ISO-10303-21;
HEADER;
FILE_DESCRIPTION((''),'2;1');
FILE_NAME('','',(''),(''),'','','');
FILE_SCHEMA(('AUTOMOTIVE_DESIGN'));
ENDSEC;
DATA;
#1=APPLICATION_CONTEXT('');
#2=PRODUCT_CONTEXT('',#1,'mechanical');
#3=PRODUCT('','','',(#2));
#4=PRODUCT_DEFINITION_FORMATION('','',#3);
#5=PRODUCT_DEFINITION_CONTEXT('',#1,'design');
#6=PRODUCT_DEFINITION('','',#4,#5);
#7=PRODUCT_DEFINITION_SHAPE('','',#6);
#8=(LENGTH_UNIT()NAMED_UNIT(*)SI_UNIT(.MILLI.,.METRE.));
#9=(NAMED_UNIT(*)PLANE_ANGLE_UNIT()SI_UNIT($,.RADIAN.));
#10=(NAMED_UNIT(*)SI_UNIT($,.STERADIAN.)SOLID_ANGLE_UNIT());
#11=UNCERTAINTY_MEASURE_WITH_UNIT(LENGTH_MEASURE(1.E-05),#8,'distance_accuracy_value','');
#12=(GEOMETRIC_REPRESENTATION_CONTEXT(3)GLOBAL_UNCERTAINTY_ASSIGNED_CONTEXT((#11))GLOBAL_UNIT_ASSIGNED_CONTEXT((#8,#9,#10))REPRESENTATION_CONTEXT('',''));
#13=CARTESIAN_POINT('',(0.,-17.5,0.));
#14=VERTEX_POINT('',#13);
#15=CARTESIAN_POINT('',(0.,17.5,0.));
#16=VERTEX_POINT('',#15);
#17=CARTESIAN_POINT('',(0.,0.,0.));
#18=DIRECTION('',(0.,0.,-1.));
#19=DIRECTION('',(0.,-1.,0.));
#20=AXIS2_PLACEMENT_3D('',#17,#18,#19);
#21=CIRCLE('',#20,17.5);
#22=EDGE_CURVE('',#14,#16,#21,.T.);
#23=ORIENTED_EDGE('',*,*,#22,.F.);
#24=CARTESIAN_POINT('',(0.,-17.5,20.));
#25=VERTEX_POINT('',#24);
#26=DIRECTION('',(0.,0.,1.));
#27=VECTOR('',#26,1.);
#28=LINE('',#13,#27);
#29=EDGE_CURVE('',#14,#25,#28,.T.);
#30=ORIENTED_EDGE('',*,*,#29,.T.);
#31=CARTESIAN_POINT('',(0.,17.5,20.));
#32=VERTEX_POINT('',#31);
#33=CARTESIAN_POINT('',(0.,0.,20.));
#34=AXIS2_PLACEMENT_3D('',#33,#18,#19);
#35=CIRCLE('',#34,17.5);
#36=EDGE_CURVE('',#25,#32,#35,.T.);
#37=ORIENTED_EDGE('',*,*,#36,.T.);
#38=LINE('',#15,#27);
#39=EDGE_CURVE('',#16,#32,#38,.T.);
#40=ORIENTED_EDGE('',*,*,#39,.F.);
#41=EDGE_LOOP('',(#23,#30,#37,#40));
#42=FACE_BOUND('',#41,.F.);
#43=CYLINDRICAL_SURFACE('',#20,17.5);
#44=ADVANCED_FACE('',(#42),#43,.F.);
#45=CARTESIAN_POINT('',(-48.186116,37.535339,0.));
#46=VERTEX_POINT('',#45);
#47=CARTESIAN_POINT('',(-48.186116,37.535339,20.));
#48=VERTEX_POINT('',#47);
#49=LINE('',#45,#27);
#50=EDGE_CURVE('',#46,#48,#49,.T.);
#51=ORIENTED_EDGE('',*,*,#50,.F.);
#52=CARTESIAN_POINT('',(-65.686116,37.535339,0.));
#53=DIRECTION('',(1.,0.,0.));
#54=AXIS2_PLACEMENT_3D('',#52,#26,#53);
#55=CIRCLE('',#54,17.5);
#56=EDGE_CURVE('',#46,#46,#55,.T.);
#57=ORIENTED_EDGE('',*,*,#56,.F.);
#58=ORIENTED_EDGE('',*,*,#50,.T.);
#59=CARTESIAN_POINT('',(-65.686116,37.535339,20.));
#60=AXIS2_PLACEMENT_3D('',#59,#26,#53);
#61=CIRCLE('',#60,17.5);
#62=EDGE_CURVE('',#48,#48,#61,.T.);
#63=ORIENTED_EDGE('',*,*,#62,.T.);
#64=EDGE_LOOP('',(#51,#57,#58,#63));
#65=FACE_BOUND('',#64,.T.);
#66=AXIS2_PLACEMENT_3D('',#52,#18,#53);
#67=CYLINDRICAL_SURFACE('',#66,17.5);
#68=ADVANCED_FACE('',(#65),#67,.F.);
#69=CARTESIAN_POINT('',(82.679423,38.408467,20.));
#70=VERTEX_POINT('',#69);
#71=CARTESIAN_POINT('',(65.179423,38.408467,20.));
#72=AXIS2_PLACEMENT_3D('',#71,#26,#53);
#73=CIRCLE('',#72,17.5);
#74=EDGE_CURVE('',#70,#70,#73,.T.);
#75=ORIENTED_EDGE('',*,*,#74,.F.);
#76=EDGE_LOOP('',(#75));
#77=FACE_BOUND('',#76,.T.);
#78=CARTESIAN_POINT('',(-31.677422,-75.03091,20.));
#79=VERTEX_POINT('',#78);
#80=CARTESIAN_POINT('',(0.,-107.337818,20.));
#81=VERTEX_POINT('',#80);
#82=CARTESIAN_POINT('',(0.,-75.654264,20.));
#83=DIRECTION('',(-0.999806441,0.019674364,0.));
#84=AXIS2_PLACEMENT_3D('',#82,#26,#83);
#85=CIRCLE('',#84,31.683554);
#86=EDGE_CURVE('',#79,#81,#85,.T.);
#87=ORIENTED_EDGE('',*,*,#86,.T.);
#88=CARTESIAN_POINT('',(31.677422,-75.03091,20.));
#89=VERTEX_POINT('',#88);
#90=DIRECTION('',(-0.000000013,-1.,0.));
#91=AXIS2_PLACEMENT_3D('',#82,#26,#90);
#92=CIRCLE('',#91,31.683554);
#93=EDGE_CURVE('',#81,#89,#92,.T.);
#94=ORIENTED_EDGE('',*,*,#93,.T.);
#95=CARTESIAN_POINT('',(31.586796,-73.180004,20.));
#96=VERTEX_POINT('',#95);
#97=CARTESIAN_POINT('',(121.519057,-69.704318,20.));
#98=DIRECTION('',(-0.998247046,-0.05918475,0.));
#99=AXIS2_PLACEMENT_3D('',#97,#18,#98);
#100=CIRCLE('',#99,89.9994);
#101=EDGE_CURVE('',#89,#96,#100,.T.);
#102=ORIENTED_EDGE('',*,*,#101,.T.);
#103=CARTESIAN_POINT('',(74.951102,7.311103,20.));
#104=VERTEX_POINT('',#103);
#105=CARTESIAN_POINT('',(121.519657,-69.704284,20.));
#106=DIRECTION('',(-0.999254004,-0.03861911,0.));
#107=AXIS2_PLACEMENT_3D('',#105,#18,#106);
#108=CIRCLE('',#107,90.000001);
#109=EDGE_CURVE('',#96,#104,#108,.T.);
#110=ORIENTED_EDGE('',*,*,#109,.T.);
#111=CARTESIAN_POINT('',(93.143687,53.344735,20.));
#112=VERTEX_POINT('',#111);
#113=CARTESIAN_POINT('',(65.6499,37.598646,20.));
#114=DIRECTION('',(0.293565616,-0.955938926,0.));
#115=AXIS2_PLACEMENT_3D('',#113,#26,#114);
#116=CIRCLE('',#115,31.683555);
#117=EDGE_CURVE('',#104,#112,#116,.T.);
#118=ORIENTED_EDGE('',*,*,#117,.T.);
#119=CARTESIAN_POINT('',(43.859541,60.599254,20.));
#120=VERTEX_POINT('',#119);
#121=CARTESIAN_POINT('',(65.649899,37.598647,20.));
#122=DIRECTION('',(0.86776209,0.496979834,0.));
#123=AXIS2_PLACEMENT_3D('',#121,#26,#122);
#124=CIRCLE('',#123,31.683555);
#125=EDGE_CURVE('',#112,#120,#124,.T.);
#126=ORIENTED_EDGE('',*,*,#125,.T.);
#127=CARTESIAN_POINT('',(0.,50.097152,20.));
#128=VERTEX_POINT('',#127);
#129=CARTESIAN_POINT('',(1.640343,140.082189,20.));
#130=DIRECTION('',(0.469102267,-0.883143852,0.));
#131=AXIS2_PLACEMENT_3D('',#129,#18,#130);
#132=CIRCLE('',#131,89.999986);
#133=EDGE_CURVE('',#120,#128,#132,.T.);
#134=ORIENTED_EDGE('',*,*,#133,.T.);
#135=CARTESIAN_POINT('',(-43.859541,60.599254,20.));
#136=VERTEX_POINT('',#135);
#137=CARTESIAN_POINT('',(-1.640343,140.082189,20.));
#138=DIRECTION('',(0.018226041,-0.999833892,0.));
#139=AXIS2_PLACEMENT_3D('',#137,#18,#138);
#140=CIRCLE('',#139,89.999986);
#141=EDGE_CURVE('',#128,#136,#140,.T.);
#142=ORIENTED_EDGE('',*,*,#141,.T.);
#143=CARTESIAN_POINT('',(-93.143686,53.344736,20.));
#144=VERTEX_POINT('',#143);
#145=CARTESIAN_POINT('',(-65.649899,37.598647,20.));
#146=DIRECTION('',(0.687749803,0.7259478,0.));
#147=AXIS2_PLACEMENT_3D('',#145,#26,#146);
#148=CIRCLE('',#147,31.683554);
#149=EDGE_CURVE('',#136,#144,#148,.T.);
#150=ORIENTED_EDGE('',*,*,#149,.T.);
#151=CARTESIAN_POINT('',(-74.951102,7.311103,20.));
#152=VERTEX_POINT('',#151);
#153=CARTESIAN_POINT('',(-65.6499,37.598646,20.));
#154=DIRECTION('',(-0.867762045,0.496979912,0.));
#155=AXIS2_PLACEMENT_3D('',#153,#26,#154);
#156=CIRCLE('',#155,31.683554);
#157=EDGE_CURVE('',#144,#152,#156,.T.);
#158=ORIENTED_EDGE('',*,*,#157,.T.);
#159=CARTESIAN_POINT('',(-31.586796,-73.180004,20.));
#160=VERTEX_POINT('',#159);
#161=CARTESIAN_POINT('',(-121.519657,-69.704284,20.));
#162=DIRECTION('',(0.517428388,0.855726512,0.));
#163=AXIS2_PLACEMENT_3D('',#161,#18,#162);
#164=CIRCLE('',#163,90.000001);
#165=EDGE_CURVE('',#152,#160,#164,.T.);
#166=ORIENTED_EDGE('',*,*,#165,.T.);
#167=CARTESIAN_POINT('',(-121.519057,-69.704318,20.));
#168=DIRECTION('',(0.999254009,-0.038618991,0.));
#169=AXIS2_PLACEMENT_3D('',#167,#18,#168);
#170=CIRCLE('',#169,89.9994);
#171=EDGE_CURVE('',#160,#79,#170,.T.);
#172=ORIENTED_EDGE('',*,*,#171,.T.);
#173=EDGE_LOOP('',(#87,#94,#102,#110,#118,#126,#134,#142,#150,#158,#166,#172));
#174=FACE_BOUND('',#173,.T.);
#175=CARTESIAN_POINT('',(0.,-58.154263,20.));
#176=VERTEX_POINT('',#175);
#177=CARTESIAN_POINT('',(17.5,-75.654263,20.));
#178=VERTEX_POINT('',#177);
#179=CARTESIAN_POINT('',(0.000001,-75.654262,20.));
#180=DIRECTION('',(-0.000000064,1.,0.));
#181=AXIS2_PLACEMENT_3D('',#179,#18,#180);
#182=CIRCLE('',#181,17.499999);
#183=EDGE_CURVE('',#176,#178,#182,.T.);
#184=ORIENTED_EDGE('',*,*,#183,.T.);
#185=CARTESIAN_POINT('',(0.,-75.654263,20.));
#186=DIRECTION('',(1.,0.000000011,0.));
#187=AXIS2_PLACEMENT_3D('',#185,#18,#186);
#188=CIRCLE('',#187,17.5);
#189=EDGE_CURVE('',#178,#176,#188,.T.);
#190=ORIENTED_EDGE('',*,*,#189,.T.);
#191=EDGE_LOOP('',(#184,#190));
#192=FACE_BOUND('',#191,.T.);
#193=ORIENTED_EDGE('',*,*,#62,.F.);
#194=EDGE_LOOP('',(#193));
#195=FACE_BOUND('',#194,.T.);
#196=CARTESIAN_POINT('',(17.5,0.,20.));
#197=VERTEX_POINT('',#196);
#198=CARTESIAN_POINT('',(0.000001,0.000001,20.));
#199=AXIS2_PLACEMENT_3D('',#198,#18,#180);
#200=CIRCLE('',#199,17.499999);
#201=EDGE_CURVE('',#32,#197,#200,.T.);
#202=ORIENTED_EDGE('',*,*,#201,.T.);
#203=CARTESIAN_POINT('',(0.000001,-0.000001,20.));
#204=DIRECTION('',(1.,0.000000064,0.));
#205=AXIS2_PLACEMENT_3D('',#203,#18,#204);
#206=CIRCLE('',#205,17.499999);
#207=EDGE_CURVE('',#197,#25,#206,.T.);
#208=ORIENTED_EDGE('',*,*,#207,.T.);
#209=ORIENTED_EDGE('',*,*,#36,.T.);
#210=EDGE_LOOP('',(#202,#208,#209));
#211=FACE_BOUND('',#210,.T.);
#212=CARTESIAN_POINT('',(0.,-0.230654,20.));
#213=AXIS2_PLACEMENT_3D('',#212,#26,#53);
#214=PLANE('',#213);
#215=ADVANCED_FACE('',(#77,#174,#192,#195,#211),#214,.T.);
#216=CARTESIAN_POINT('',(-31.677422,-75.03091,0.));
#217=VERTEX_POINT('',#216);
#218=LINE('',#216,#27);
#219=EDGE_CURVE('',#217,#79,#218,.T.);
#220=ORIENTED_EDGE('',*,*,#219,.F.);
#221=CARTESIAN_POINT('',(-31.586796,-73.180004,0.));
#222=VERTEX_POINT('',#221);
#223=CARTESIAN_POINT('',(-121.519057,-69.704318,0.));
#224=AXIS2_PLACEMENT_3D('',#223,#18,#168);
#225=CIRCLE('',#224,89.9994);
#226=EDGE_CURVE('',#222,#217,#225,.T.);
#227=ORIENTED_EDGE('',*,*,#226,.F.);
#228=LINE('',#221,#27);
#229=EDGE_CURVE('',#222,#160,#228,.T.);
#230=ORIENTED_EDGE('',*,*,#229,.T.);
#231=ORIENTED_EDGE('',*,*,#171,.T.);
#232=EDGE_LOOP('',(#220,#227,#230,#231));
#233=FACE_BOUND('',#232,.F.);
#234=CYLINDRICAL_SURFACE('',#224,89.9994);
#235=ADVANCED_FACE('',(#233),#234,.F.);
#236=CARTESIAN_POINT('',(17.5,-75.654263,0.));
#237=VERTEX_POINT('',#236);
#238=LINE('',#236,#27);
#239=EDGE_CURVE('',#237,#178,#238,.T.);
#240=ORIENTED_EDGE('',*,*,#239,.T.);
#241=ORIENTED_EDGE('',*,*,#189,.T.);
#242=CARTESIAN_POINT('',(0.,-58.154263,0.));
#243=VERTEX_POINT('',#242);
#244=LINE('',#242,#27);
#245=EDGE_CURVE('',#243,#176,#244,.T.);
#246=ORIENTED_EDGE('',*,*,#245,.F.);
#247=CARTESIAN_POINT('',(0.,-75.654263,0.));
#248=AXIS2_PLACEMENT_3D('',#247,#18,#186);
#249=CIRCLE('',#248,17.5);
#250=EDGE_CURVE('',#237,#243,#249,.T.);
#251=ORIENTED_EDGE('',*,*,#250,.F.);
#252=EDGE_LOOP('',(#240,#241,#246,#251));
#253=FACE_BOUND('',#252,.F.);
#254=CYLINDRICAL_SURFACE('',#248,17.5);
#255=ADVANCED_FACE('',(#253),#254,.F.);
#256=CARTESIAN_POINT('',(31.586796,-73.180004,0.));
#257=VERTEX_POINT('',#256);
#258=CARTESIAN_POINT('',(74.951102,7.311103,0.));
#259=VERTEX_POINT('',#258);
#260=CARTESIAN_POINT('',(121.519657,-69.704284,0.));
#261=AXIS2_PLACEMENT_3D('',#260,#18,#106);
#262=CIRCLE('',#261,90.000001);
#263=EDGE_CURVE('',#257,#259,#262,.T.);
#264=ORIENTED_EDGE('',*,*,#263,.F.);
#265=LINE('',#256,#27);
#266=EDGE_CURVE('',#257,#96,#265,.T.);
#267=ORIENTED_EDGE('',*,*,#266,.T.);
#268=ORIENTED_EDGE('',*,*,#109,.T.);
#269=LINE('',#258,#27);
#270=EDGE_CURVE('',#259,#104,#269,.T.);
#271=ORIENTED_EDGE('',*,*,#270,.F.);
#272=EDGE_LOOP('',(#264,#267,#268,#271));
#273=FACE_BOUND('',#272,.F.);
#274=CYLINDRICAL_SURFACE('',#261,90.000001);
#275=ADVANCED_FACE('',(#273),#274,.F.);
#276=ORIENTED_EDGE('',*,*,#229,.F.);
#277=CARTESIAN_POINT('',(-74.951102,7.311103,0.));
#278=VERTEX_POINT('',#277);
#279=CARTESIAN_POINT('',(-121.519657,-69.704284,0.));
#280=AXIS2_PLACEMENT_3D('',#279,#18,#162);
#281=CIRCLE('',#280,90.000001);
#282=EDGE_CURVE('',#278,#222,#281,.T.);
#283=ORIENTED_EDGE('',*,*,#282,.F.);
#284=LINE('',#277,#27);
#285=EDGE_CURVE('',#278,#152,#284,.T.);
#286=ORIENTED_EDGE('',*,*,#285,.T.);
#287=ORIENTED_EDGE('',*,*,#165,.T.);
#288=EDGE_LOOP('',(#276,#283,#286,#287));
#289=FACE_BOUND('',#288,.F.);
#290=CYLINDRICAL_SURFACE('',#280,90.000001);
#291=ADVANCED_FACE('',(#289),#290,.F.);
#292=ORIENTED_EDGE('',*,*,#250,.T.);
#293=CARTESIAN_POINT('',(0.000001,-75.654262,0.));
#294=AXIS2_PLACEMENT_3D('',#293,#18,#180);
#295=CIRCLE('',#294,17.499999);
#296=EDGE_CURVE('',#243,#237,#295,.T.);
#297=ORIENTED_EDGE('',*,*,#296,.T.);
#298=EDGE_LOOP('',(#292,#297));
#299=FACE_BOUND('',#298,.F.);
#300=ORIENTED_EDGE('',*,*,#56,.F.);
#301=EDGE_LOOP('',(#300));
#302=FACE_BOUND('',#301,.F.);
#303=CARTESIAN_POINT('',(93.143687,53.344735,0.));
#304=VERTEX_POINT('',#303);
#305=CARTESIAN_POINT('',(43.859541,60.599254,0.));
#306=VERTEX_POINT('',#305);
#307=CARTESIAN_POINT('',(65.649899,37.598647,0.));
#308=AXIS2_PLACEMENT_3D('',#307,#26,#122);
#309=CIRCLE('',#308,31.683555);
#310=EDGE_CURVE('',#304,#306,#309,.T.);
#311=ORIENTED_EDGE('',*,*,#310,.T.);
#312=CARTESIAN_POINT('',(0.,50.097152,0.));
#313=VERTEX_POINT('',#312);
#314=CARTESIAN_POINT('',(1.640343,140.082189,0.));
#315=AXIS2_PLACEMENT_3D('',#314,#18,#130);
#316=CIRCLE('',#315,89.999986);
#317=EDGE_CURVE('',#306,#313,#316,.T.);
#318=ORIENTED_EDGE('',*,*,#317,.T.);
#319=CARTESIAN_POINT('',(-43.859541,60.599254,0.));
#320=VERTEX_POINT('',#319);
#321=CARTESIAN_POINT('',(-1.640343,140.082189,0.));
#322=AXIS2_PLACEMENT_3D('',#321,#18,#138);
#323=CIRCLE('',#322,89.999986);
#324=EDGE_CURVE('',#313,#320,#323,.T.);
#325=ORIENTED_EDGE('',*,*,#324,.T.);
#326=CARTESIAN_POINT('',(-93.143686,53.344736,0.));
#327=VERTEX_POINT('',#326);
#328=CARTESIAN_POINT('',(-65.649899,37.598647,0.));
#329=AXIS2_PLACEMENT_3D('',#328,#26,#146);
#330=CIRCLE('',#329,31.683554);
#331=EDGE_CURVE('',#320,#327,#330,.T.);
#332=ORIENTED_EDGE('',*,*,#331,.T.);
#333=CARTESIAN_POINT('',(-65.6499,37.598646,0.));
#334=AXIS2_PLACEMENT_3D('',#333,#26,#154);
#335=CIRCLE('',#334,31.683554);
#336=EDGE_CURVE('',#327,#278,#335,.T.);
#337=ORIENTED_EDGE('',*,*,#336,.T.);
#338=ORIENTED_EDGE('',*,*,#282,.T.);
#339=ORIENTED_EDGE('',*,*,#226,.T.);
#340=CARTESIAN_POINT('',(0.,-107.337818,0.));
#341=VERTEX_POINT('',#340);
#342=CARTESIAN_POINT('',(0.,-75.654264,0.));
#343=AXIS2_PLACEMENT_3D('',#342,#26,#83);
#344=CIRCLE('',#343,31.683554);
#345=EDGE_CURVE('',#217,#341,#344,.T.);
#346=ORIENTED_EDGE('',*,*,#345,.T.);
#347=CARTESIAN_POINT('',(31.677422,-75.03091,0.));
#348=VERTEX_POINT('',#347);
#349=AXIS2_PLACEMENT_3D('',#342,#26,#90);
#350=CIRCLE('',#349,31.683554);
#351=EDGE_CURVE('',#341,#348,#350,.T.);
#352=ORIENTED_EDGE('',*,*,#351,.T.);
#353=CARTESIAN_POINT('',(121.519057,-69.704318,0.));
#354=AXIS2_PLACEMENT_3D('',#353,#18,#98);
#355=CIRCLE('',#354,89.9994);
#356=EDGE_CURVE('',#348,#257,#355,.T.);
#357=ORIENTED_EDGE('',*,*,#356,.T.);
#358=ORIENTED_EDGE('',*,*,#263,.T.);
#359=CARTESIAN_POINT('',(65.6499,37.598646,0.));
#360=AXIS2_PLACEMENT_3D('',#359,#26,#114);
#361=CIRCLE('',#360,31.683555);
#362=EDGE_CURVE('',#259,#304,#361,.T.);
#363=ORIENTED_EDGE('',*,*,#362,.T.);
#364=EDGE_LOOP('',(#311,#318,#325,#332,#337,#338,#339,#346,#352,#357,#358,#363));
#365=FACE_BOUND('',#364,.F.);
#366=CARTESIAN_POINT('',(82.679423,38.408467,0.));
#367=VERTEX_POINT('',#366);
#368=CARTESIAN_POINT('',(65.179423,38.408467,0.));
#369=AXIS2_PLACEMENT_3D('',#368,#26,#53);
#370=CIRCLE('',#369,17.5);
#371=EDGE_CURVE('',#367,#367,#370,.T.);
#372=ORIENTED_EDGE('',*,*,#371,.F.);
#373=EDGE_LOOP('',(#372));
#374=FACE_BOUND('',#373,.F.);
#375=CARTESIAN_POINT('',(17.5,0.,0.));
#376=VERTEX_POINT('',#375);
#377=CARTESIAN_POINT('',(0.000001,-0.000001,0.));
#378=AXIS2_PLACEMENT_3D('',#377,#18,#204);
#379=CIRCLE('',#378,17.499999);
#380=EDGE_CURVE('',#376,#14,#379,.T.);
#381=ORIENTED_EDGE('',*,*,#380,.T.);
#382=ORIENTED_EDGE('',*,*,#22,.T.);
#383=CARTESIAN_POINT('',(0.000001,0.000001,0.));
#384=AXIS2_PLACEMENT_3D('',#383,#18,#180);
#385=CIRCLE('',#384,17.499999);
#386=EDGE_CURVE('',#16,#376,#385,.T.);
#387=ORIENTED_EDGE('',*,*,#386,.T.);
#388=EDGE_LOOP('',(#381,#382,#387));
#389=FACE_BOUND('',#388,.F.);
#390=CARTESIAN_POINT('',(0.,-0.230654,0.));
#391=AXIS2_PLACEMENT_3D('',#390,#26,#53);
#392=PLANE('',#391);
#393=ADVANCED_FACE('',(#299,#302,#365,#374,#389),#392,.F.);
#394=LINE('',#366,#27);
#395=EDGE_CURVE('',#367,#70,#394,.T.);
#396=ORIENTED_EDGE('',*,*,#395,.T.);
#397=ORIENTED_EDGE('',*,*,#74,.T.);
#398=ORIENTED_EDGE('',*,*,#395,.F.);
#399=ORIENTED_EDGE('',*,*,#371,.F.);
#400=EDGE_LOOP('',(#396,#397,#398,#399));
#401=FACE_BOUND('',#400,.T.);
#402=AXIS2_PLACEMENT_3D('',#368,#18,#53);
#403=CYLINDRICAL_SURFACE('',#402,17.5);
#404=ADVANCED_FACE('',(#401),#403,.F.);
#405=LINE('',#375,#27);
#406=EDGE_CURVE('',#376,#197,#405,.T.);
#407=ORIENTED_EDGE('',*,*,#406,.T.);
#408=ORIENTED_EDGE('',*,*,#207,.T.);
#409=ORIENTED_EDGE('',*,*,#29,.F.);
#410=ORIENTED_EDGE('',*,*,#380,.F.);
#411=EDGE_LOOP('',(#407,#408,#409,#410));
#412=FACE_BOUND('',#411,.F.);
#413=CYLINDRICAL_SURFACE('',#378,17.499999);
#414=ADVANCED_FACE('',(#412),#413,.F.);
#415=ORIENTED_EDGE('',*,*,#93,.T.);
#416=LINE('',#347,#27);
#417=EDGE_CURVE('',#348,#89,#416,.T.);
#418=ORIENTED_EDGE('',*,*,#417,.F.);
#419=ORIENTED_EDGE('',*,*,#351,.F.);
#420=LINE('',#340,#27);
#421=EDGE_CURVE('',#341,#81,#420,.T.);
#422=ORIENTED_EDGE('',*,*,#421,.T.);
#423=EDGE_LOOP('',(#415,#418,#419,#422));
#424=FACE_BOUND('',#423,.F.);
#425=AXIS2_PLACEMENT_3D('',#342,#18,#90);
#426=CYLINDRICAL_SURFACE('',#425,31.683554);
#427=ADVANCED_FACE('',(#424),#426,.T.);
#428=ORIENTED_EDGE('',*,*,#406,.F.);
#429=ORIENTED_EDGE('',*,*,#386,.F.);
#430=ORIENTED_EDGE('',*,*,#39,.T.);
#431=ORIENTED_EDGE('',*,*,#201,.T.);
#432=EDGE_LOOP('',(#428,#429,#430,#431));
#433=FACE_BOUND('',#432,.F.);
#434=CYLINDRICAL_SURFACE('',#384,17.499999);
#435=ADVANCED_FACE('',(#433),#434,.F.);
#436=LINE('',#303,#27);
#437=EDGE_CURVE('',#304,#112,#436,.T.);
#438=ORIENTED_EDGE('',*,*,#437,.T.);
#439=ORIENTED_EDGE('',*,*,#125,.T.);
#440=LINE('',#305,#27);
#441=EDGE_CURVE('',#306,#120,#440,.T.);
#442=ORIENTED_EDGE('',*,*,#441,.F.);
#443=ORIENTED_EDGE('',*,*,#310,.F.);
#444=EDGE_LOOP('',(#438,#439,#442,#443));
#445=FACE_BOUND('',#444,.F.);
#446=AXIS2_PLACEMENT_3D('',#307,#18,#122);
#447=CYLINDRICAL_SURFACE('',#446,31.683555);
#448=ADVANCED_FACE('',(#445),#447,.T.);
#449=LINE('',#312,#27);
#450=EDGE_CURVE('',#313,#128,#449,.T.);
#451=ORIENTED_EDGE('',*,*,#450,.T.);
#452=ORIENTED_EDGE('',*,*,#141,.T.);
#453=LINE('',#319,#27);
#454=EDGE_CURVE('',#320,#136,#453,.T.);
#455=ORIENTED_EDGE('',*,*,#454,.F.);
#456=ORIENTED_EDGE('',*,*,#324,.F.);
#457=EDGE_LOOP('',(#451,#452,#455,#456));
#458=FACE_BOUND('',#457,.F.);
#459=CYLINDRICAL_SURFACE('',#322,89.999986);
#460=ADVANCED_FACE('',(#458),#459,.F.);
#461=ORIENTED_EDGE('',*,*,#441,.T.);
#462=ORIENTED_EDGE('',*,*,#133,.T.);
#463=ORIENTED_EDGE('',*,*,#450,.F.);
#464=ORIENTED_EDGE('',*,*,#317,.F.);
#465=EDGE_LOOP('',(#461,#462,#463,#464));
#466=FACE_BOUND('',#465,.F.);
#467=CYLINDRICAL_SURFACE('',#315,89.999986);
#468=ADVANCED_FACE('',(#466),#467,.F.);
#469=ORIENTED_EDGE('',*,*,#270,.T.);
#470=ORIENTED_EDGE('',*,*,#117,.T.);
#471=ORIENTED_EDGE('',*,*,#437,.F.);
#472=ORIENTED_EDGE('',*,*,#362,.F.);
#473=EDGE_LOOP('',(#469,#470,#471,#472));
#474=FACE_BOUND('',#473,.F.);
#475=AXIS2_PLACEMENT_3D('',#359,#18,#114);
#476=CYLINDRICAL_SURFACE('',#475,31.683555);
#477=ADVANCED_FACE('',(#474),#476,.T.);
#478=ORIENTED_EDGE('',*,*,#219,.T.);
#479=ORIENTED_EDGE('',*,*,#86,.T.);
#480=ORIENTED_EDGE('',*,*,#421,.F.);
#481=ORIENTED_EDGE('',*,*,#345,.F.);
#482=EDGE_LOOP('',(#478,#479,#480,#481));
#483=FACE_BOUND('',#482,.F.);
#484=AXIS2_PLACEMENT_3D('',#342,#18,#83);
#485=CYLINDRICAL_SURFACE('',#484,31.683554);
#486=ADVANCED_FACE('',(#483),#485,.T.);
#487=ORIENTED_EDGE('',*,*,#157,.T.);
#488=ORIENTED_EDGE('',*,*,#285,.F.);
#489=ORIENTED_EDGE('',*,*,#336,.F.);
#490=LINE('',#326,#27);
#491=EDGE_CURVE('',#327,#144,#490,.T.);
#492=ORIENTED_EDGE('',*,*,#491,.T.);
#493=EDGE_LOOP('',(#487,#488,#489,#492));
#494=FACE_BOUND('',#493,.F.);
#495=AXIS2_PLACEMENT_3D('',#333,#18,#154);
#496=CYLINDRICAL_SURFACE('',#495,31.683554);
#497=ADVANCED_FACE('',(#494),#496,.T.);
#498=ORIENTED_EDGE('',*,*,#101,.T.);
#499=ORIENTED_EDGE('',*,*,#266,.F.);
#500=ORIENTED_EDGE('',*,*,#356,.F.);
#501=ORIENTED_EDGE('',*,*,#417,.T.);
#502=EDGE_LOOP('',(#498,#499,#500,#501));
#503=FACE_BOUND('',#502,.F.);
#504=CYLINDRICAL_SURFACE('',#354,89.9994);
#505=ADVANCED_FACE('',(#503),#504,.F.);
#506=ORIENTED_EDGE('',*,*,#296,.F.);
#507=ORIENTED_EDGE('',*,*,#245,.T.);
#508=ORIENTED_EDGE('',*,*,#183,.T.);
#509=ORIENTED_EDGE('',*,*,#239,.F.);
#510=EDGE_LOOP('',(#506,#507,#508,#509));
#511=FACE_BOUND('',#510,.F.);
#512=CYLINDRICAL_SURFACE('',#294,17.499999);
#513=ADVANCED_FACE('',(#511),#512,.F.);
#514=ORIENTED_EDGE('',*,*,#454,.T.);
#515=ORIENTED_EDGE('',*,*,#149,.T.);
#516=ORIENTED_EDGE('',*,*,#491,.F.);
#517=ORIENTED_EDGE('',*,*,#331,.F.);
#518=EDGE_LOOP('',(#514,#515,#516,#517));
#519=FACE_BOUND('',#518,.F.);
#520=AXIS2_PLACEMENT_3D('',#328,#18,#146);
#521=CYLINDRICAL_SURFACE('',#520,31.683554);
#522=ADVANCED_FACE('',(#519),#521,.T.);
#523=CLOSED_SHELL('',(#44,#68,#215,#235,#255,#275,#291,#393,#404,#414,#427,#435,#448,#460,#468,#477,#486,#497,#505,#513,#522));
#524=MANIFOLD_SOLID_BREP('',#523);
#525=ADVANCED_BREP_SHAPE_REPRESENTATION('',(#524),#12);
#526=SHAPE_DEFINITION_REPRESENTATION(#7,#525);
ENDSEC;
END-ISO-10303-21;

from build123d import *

# Parameters (mm, degrees)
F0_R     = 17.5
F1_DEPTH = 20


with BuildPart() as f1:
    # F0 (on Top) → F1 (new body)
    with BuildSketch(Plane.XY):
        with BuildLine():
            ThreePointArc((43.859541, 60.599254), (22.598263, 52.556403), (0, 50.097152))
            ThreePointArc((0, 50.097152), (-22.598263, 52.556403), (-43.859541, 60.599254))
            ThreePointArc((-43.859541, 60.599254), (-70.26393, 68.944434), (-93.143686, 53.344736))
            ThreePointArc((-93.143686, 53.344736), (-95.11584, 25.953647), (-74.951102, 7.311103))
            ThreePointArc((-74.951102, 7.311103), (-42.286686, -27.017794), (-31.586796, -73.180004))
            ThreePointArc((-31.586796, -73.180004), (-31.627345, -74.10569), (-31.677422, -75.03091))
            ThreePointArc((-31.677422, -75.03091), (-22.622972, -97.836436), (0, -107.337818))
            ThreePointArc((0, -107.337818), (22.622972, -97.836436), (31.677422, -75.03091))
            ThreePointArc((31.677422, -75.03091), (31.627345, -74.10569), (31.586796, -73.180004))
            ThreePointArc((31.586796, -73.180004), (42.286686, -27.017794), (74.951102, 7.311103))
            ThreePointArc((74.951102, 7.311103), (95.11584, 25.953647), (93.143687, 53.344735))
            ThreePointArc((93.143687, 53.344735), (70.263931, 68.944434), (43.859541, 60.599254))
        make_face()
        with BuildLine():
            ThreePointArc((0, -58.154263), (12.374369, -63.279894), (17.5, -75.654263))
            ThreePointArc((17.5, -75.654263), (-12.374369, -88.028632), (0, -58.154263))
        make_face(mode=Mode.SUBTRACT)
        with Locations((-65.686116, 37.535339)):
            Circle(F0_R, mode=Mode.SUBTRACT)
        with BuildLine():
            ThreePointArc((17.5, 0), (12.374369, -12.374369), (0, -17.5))
            ThreePointArc((0, -17.5), (-17.5, 0), (0, 17.5))
            ThreePointArc((0, 17.5), (12.374369, 12.374369), (17.5, 0))
        make_face(mode=Mode.SUBTRACT)
        with Locations((65.179423, 38.408467)):
            Circle(F0_R, mode=Mode.SUBTRACT)
    extrude(amount=F1_DEPTH)


solid = f1.part
